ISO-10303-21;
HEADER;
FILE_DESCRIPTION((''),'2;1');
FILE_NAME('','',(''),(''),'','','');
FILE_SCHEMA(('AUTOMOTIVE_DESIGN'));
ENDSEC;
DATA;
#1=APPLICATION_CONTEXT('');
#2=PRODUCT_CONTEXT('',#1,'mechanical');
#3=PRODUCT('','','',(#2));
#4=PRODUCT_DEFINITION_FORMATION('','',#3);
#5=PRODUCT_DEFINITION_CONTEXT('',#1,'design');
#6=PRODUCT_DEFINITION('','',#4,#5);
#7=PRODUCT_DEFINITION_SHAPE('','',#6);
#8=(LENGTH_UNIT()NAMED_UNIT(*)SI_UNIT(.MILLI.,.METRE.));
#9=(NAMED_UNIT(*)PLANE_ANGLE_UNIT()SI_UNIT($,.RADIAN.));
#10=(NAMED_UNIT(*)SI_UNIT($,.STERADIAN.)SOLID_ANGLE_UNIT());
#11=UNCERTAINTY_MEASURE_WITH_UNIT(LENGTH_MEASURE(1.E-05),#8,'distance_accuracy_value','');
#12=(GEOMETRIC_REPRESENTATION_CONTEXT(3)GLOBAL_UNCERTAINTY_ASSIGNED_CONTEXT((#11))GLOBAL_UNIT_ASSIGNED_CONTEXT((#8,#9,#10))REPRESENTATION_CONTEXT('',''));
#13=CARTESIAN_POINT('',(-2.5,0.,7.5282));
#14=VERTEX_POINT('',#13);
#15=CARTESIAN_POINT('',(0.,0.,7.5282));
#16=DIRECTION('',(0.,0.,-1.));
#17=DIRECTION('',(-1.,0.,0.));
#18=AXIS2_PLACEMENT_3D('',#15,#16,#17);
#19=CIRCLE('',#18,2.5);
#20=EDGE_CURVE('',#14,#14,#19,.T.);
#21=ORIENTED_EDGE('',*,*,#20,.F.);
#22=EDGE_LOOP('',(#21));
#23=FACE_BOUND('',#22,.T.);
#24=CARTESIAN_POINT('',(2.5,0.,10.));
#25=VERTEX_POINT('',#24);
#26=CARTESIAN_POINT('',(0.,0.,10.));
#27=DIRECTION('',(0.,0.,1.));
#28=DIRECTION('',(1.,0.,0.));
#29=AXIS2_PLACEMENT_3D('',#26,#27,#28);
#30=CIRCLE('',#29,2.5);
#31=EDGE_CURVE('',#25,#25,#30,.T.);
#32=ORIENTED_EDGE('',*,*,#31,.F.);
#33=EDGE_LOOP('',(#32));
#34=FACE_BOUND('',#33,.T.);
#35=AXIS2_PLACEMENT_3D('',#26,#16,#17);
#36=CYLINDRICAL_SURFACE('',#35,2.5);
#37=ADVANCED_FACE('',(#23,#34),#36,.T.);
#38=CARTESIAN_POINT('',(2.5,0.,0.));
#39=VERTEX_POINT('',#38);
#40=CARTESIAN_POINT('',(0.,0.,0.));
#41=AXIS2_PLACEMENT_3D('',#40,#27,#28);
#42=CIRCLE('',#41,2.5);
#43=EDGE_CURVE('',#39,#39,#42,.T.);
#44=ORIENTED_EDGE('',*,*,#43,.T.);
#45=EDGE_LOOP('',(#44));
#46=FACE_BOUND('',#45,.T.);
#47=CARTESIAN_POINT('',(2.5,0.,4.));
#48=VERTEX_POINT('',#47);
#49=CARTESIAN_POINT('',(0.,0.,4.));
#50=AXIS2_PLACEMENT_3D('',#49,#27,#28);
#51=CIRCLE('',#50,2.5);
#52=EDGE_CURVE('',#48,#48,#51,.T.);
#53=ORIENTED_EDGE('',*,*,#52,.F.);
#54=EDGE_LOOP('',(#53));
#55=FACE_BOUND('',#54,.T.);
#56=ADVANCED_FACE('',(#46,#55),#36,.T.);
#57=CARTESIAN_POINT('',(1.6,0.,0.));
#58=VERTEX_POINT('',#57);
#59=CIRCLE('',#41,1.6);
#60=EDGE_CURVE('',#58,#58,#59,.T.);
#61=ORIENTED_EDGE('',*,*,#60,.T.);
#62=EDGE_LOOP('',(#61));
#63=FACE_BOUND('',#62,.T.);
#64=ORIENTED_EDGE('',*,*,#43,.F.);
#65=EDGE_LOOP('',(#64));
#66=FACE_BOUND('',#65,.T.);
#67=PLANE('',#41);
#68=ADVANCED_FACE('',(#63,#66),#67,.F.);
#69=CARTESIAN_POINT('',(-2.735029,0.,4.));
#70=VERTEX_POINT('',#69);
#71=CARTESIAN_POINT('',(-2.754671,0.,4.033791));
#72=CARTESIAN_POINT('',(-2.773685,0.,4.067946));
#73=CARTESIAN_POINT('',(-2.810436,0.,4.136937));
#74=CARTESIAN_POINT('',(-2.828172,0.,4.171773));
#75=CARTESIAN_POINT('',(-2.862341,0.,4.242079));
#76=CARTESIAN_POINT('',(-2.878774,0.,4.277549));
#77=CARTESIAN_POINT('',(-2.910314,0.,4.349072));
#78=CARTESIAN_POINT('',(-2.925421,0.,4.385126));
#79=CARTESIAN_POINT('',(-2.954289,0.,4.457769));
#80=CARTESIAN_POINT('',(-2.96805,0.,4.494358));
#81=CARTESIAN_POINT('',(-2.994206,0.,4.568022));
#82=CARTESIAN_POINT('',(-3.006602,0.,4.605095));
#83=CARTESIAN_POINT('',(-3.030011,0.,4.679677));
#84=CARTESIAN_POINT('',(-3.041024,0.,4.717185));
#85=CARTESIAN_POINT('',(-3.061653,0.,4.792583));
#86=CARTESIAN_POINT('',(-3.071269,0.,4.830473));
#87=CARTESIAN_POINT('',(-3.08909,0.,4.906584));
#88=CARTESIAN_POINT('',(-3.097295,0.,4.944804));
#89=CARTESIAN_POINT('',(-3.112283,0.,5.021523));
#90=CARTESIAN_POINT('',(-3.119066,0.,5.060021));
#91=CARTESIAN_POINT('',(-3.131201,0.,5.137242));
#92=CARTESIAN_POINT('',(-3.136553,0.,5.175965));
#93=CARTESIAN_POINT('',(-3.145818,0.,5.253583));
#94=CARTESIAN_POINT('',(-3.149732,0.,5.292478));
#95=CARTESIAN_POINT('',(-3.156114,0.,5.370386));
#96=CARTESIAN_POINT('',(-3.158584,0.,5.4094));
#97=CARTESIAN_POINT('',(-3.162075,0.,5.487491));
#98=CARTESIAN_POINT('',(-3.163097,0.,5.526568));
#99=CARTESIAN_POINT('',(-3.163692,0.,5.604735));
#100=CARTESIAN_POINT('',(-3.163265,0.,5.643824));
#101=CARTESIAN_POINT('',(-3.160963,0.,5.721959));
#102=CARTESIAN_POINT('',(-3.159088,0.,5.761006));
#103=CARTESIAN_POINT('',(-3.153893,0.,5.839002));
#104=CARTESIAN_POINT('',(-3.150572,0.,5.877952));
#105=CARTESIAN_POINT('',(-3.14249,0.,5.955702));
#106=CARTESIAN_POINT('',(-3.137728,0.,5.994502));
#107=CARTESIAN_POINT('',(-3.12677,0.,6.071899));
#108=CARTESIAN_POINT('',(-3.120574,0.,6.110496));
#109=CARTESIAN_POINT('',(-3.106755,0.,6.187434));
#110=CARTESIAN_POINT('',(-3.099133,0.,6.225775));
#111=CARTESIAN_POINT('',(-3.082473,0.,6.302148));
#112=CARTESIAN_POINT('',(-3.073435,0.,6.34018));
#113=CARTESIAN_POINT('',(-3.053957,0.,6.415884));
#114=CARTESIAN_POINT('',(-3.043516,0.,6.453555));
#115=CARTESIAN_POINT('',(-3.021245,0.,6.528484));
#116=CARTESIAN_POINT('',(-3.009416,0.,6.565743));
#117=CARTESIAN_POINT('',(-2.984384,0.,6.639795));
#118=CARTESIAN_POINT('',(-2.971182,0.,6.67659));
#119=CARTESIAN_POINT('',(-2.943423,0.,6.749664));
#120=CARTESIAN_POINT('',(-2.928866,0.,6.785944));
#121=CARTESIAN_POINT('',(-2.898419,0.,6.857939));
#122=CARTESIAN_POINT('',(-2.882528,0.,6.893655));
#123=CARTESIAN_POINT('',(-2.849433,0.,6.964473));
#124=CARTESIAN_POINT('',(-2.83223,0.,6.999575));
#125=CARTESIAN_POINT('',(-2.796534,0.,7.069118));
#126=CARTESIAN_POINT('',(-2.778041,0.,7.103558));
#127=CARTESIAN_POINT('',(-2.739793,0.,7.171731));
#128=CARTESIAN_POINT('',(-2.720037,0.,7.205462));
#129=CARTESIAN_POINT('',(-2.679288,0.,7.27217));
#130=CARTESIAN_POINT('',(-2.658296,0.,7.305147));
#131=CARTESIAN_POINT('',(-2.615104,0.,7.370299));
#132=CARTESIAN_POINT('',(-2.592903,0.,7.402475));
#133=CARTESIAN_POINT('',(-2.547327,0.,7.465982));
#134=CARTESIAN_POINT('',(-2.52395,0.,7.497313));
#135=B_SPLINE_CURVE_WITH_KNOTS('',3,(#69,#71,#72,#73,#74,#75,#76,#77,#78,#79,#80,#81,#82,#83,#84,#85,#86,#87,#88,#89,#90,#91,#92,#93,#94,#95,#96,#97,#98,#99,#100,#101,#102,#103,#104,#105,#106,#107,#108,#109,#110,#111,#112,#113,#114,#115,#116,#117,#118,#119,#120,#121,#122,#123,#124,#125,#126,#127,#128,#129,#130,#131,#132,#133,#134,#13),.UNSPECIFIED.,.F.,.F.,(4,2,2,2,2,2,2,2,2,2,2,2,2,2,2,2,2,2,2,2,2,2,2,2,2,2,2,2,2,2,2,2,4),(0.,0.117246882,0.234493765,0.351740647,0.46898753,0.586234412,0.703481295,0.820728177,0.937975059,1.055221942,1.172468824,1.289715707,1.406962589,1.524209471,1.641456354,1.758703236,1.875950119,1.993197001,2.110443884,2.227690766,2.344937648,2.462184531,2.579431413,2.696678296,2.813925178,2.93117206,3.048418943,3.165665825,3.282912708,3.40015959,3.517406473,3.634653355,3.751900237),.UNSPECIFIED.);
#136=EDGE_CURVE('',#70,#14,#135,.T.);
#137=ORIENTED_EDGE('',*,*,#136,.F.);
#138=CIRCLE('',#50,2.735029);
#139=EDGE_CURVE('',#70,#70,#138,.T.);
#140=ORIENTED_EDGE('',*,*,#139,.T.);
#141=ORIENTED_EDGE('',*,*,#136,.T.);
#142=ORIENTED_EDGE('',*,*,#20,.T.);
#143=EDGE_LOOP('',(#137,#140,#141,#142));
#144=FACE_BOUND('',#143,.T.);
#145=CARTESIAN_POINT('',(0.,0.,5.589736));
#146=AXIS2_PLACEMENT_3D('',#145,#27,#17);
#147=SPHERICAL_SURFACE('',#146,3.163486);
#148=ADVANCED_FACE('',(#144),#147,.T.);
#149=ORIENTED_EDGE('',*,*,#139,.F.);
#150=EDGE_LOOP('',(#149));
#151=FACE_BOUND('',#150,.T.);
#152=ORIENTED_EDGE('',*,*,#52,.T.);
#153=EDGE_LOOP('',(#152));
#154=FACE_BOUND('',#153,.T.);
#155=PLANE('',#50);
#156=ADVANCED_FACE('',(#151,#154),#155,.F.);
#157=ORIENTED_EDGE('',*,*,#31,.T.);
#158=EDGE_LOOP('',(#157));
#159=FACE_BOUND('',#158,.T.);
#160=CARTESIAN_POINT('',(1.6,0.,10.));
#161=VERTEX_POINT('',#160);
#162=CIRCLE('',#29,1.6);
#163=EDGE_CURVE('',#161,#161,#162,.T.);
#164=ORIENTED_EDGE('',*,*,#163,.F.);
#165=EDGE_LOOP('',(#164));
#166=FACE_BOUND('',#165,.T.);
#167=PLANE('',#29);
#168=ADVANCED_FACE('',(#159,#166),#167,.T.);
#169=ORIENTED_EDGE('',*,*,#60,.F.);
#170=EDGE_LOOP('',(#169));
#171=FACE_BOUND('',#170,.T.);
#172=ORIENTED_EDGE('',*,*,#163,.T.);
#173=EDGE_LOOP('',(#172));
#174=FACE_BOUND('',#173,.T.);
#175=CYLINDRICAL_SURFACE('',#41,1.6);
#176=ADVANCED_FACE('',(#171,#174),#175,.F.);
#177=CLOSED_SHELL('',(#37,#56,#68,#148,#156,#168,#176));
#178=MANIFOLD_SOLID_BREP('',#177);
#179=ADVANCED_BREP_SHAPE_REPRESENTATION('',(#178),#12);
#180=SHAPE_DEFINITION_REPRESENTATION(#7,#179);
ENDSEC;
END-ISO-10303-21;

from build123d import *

# Parameters (mm, degrees)
SKETCH_1_R          = 2.5
EXTRUDE_1_DEPTH     = 10
SKETCH_3_R          = 1.6
CUT_EXTRUDE_1_DEPTH = 11.955148971


with BuildPart() as part:
    # 草图1 → 凸台-拉伸1 (new body)
    with BuildSketch(Plane.XY):
        Circle(SKETCH_1_R)
    extrude(amount=EXTRUDE_1_DEPTH)

    # 草图2 → 旋转1 (revolve)
    with BuildSketch(Plane(origin=(0, 0, 0), x_dir=(1, 0, 0), z_dir=(0, 1, 0))):
        with BuildLine():
            Line((0, -8), (-2.048968216, -8))
            ThreePointArc((-2.048968216, -8), (-3.117957315, -6.124512969), (-2.735029198, -4))
            Line((-2.735029198, -4), (0, -4))
            Line((0, -4), (0, -8))
        make_face()
    revolve(axis=Axis((0, 0, 8), (0, 0, -1)))

    # 草图3 → 切除-拉伸1 (cut, through all)
    with BuildSketch(Plane.XY.offset(10)):
        Circle(SKETCH_3_R)
    extrude(amount=-CUT_EXTRUDE_1_DEPTH, mode=Mode.SUBTRACT)


solid = part.part
